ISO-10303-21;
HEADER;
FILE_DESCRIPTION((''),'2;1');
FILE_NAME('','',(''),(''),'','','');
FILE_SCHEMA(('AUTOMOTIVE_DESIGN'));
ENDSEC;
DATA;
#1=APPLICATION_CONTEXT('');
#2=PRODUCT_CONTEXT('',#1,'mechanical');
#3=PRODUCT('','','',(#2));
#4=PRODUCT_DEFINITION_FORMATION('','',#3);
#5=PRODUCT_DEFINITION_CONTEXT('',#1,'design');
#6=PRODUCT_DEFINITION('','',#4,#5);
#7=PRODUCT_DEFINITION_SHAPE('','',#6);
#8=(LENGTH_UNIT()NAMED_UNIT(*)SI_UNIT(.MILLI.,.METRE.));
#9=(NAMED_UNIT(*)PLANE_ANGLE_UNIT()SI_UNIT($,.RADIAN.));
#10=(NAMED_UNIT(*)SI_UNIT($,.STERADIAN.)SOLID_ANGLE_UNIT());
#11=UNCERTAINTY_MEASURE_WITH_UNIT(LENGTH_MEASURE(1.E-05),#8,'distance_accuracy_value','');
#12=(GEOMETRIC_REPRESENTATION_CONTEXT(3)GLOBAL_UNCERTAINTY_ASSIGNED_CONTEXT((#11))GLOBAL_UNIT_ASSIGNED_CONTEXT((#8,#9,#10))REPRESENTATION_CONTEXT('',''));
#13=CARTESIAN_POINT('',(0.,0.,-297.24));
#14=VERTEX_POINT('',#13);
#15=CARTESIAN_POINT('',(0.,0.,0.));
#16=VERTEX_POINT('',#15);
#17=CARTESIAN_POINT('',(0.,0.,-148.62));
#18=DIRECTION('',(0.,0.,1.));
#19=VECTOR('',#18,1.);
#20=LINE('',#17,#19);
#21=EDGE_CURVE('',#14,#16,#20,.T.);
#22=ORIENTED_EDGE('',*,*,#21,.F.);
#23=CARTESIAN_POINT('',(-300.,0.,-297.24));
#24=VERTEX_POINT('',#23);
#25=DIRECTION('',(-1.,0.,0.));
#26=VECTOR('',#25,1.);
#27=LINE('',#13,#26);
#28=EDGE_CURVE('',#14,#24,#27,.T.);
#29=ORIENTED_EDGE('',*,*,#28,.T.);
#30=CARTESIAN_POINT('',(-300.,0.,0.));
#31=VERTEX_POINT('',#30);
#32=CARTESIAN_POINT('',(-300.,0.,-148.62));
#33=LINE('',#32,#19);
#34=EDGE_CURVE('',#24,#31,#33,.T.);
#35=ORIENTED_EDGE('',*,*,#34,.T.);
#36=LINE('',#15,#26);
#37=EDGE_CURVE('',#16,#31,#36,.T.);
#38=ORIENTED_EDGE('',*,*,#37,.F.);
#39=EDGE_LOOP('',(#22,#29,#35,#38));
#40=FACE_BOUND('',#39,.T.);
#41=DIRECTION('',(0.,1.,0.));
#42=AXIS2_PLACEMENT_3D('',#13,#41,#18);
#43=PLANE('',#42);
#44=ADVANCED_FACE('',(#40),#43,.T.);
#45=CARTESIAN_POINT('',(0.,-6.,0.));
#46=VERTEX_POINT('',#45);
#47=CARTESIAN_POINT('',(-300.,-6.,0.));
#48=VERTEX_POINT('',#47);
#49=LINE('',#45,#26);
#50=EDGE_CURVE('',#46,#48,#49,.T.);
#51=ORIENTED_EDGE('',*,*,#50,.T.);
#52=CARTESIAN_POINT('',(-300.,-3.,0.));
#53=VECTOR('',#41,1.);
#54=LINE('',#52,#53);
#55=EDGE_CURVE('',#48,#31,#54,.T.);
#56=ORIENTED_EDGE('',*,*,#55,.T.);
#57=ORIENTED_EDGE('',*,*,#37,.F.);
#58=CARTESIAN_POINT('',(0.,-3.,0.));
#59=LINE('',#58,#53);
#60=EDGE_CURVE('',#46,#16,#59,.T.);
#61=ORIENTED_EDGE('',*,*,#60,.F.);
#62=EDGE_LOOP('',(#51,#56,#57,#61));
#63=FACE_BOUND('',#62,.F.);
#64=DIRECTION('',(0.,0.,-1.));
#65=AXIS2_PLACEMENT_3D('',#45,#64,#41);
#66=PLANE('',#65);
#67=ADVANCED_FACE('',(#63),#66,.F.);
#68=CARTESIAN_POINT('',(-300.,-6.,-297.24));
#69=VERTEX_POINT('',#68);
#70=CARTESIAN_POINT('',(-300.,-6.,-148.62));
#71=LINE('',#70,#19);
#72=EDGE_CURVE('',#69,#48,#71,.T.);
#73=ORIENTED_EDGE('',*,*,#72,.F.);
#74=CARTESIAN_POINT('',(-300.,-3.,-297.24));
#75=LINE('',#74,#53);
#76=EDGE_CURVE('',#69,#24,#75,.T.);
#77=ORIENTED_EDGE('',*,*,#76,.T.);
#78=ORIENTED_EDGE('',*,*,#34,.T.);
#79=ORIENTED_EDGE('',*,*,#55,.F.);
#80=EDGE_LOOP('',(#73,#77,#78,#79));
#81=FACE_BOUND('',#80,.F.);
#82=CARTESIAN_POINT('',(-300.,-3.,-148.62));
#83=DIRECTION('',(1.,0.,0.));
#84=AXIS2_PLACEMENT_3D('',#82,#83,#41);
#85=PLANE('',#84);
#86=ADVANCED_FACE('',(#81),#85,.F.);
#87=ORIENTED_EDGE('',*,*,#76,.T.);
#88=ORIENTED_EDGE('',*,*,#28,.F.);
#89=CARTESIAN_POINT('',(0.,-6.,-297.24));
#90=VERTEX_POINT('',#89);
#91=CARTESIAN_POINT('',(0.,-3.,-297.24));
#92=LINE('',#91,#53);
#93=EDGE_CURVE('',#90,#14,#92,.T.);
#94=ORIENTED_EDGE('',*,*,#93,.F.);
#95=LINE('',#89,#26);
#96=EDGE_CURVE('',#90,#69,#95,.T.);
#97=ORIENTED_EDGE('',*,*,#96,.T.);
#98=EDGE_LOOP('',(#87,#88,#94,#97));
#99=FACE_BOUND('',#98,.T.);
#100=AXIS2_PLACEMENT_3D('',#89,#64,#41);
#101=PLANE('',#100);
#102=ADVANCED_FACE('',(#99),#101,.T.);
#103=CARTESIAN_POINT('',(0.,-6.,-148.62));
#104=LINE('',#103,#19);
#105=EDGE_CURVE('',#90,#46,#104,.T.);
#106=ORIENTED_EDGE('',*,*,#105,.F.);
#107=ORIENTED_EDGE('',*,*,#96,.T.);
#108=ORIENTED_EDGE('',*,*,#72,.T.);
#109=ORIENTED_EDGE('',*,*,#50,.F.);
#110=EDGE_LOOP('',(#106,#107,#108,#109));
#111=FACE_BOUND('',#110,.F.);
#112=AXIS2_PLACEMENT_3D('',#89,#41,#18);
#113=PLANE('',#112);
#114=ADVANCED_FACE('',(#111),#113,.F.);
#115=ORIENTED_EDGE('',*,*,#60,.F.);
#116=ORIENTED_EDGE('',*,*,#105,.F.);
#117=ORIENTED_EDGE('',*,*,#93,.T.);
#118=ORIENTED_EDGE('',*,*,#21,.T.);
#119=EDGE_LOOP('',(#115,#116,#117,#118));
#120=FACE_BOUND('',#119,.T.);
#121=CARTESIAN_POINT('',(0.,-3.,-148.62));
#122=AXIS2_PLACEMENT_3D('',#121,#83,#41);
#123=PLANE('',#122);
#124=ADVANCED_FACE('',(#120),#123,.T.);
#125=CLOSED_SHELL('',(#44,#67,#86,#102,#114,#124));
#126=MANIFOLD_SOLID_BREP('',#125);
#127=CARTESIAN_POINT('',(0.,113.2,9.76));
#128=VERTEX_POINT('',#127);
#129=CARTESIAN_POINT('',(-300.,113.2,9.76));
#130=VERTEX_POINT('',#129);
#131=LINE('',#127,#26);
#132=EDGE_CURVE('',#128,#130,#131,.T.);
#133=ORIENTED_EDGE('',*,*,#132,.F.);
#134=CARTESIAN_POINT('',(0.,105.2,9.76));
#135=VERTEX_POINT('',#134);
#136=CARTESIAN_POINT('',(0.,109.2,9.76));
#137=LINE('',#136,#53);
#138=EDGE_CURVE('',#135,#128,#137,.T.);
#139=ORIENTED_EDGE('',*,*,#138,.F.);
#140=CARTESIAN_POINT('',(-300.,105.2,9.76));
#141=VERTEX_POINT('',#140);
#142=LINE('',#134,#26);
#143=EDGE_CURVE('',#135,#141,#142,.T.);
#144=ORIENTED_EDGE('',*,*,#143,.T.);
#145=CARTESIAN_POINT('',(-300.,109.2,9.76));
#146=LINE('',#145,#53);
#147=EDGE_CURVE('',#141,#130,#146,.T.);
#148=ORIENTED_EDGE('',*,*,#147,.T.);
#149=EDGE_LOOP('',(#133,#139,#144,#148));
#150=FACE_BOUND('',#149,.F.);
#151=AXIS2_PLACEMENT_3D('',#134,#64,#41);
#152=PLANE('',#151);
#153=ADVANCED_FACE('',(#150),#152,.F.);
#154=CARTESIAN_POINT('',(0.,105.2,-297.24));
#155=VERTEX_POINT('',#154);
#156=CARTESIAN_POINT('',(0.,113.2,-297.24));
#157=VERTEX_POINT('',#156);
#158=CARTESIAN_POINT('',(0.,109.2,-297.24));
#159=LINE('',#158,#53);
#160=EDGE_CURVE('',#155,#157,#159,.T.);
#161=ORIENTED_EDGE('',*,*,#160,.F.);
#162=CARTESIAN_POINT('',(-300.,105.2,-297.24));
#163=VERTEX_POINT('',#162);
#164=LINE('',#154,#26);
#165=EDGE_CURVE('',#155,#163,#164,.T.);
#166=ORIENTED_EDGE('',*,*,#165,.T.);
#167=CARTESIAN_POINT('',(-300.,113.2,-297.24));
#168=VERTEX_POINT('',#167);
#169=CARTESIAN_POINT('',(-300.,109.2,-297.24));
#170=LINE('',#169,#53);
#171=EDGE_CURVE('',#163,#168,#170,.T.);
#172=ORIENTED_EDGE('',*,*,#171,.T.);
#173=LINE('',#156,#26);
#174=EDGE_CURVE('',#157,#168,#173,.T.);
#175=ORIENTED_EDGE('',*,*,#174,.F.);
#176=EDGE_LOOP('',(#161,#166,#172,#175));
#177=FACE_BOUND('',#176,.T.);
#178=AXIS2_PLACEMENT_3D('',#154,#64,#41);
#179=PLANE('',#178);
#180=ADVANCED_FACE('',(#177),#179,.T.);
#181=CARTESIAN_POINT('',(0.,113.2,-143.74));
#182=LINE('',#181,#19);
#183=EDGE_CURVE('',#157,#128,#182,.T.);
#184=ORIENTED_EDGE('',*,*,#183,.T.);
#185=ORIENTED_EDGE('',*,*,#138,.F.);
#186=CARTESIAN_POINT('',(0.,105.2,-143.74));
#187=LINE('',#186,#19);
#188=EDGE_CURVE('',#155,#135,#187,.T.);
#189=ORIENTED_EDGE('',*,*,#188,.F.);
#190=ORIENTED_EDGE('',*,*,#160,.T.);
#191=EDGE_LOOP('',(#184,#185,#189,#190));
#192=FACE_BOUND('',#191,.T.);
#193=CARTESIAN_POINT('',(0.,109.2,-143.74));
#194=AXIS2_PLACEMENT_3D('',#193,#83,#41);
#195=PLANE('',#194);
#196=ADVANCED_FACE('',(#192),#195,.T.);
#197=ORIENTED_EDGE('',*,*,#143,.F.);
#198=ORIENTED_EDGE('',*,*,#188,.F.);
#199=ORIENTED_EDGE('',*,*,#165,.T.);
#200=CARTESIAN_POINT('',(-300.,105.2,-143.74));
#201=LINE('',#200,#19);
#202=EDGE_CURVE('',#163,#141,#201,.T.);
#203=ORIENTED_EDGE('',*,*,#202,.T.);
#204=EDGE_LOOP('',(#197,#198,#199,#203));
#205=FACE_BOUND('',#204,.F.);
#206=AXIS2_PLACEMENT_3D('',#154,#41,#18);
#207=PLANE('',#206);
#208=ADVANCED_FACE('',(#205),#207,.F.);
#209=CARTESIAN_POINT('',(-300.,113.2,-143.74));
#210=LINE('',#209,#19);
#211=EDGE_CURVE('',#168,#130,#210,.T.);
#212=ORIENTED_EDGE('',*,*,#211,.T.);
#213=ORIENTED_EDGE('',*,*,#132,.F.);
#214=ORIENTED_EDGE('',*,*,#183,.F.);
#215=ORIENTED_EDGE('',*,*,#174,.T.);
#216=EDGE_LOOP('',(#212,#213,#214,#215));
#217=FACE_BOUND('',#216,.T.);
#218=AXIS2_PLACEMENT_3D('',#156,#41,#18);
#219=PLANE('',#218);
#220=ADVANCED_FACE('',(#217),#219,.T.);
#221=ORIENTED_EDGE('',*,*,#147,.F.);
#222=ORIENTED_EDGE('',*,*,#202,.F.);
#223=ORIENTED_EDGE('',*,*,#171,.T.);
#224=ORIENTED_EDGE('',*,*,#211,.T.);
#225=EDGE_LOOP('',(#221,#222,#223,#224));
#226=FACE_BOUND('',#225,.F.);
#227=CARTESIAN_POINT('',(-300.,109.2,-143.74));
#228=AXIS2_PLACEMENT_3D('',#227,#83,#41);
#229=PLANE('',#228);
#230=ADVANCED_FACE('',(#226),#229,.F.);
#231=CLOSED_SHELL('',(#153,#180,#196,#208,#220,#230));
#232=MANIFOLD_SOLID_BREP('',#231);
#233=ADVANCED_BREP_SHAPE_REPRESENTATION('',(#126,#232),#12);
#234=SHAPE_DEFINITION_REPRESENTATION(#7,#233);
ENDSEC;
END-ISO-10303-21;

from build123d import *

# Parameters (mm, degrees)
F0_W     = 8
F0_H     = 307
F0_W_2   = 6
F0_H_2   = 297.24
F1_DEPTH = 300


with BuildPart() as f1:
    # F0 (on Right) → F1 (new body)
    with BuildSketch(Plane.YZ):
        with Locations((109.2, -143.74)):
            Rectangle(F0_W, F0_H)
        with Locations((-3, -148.62)):
            Rectangle(F0_W_2, F0_H_2)
    extrude(amount=-F1_DEPTH)


solid = f1.part
